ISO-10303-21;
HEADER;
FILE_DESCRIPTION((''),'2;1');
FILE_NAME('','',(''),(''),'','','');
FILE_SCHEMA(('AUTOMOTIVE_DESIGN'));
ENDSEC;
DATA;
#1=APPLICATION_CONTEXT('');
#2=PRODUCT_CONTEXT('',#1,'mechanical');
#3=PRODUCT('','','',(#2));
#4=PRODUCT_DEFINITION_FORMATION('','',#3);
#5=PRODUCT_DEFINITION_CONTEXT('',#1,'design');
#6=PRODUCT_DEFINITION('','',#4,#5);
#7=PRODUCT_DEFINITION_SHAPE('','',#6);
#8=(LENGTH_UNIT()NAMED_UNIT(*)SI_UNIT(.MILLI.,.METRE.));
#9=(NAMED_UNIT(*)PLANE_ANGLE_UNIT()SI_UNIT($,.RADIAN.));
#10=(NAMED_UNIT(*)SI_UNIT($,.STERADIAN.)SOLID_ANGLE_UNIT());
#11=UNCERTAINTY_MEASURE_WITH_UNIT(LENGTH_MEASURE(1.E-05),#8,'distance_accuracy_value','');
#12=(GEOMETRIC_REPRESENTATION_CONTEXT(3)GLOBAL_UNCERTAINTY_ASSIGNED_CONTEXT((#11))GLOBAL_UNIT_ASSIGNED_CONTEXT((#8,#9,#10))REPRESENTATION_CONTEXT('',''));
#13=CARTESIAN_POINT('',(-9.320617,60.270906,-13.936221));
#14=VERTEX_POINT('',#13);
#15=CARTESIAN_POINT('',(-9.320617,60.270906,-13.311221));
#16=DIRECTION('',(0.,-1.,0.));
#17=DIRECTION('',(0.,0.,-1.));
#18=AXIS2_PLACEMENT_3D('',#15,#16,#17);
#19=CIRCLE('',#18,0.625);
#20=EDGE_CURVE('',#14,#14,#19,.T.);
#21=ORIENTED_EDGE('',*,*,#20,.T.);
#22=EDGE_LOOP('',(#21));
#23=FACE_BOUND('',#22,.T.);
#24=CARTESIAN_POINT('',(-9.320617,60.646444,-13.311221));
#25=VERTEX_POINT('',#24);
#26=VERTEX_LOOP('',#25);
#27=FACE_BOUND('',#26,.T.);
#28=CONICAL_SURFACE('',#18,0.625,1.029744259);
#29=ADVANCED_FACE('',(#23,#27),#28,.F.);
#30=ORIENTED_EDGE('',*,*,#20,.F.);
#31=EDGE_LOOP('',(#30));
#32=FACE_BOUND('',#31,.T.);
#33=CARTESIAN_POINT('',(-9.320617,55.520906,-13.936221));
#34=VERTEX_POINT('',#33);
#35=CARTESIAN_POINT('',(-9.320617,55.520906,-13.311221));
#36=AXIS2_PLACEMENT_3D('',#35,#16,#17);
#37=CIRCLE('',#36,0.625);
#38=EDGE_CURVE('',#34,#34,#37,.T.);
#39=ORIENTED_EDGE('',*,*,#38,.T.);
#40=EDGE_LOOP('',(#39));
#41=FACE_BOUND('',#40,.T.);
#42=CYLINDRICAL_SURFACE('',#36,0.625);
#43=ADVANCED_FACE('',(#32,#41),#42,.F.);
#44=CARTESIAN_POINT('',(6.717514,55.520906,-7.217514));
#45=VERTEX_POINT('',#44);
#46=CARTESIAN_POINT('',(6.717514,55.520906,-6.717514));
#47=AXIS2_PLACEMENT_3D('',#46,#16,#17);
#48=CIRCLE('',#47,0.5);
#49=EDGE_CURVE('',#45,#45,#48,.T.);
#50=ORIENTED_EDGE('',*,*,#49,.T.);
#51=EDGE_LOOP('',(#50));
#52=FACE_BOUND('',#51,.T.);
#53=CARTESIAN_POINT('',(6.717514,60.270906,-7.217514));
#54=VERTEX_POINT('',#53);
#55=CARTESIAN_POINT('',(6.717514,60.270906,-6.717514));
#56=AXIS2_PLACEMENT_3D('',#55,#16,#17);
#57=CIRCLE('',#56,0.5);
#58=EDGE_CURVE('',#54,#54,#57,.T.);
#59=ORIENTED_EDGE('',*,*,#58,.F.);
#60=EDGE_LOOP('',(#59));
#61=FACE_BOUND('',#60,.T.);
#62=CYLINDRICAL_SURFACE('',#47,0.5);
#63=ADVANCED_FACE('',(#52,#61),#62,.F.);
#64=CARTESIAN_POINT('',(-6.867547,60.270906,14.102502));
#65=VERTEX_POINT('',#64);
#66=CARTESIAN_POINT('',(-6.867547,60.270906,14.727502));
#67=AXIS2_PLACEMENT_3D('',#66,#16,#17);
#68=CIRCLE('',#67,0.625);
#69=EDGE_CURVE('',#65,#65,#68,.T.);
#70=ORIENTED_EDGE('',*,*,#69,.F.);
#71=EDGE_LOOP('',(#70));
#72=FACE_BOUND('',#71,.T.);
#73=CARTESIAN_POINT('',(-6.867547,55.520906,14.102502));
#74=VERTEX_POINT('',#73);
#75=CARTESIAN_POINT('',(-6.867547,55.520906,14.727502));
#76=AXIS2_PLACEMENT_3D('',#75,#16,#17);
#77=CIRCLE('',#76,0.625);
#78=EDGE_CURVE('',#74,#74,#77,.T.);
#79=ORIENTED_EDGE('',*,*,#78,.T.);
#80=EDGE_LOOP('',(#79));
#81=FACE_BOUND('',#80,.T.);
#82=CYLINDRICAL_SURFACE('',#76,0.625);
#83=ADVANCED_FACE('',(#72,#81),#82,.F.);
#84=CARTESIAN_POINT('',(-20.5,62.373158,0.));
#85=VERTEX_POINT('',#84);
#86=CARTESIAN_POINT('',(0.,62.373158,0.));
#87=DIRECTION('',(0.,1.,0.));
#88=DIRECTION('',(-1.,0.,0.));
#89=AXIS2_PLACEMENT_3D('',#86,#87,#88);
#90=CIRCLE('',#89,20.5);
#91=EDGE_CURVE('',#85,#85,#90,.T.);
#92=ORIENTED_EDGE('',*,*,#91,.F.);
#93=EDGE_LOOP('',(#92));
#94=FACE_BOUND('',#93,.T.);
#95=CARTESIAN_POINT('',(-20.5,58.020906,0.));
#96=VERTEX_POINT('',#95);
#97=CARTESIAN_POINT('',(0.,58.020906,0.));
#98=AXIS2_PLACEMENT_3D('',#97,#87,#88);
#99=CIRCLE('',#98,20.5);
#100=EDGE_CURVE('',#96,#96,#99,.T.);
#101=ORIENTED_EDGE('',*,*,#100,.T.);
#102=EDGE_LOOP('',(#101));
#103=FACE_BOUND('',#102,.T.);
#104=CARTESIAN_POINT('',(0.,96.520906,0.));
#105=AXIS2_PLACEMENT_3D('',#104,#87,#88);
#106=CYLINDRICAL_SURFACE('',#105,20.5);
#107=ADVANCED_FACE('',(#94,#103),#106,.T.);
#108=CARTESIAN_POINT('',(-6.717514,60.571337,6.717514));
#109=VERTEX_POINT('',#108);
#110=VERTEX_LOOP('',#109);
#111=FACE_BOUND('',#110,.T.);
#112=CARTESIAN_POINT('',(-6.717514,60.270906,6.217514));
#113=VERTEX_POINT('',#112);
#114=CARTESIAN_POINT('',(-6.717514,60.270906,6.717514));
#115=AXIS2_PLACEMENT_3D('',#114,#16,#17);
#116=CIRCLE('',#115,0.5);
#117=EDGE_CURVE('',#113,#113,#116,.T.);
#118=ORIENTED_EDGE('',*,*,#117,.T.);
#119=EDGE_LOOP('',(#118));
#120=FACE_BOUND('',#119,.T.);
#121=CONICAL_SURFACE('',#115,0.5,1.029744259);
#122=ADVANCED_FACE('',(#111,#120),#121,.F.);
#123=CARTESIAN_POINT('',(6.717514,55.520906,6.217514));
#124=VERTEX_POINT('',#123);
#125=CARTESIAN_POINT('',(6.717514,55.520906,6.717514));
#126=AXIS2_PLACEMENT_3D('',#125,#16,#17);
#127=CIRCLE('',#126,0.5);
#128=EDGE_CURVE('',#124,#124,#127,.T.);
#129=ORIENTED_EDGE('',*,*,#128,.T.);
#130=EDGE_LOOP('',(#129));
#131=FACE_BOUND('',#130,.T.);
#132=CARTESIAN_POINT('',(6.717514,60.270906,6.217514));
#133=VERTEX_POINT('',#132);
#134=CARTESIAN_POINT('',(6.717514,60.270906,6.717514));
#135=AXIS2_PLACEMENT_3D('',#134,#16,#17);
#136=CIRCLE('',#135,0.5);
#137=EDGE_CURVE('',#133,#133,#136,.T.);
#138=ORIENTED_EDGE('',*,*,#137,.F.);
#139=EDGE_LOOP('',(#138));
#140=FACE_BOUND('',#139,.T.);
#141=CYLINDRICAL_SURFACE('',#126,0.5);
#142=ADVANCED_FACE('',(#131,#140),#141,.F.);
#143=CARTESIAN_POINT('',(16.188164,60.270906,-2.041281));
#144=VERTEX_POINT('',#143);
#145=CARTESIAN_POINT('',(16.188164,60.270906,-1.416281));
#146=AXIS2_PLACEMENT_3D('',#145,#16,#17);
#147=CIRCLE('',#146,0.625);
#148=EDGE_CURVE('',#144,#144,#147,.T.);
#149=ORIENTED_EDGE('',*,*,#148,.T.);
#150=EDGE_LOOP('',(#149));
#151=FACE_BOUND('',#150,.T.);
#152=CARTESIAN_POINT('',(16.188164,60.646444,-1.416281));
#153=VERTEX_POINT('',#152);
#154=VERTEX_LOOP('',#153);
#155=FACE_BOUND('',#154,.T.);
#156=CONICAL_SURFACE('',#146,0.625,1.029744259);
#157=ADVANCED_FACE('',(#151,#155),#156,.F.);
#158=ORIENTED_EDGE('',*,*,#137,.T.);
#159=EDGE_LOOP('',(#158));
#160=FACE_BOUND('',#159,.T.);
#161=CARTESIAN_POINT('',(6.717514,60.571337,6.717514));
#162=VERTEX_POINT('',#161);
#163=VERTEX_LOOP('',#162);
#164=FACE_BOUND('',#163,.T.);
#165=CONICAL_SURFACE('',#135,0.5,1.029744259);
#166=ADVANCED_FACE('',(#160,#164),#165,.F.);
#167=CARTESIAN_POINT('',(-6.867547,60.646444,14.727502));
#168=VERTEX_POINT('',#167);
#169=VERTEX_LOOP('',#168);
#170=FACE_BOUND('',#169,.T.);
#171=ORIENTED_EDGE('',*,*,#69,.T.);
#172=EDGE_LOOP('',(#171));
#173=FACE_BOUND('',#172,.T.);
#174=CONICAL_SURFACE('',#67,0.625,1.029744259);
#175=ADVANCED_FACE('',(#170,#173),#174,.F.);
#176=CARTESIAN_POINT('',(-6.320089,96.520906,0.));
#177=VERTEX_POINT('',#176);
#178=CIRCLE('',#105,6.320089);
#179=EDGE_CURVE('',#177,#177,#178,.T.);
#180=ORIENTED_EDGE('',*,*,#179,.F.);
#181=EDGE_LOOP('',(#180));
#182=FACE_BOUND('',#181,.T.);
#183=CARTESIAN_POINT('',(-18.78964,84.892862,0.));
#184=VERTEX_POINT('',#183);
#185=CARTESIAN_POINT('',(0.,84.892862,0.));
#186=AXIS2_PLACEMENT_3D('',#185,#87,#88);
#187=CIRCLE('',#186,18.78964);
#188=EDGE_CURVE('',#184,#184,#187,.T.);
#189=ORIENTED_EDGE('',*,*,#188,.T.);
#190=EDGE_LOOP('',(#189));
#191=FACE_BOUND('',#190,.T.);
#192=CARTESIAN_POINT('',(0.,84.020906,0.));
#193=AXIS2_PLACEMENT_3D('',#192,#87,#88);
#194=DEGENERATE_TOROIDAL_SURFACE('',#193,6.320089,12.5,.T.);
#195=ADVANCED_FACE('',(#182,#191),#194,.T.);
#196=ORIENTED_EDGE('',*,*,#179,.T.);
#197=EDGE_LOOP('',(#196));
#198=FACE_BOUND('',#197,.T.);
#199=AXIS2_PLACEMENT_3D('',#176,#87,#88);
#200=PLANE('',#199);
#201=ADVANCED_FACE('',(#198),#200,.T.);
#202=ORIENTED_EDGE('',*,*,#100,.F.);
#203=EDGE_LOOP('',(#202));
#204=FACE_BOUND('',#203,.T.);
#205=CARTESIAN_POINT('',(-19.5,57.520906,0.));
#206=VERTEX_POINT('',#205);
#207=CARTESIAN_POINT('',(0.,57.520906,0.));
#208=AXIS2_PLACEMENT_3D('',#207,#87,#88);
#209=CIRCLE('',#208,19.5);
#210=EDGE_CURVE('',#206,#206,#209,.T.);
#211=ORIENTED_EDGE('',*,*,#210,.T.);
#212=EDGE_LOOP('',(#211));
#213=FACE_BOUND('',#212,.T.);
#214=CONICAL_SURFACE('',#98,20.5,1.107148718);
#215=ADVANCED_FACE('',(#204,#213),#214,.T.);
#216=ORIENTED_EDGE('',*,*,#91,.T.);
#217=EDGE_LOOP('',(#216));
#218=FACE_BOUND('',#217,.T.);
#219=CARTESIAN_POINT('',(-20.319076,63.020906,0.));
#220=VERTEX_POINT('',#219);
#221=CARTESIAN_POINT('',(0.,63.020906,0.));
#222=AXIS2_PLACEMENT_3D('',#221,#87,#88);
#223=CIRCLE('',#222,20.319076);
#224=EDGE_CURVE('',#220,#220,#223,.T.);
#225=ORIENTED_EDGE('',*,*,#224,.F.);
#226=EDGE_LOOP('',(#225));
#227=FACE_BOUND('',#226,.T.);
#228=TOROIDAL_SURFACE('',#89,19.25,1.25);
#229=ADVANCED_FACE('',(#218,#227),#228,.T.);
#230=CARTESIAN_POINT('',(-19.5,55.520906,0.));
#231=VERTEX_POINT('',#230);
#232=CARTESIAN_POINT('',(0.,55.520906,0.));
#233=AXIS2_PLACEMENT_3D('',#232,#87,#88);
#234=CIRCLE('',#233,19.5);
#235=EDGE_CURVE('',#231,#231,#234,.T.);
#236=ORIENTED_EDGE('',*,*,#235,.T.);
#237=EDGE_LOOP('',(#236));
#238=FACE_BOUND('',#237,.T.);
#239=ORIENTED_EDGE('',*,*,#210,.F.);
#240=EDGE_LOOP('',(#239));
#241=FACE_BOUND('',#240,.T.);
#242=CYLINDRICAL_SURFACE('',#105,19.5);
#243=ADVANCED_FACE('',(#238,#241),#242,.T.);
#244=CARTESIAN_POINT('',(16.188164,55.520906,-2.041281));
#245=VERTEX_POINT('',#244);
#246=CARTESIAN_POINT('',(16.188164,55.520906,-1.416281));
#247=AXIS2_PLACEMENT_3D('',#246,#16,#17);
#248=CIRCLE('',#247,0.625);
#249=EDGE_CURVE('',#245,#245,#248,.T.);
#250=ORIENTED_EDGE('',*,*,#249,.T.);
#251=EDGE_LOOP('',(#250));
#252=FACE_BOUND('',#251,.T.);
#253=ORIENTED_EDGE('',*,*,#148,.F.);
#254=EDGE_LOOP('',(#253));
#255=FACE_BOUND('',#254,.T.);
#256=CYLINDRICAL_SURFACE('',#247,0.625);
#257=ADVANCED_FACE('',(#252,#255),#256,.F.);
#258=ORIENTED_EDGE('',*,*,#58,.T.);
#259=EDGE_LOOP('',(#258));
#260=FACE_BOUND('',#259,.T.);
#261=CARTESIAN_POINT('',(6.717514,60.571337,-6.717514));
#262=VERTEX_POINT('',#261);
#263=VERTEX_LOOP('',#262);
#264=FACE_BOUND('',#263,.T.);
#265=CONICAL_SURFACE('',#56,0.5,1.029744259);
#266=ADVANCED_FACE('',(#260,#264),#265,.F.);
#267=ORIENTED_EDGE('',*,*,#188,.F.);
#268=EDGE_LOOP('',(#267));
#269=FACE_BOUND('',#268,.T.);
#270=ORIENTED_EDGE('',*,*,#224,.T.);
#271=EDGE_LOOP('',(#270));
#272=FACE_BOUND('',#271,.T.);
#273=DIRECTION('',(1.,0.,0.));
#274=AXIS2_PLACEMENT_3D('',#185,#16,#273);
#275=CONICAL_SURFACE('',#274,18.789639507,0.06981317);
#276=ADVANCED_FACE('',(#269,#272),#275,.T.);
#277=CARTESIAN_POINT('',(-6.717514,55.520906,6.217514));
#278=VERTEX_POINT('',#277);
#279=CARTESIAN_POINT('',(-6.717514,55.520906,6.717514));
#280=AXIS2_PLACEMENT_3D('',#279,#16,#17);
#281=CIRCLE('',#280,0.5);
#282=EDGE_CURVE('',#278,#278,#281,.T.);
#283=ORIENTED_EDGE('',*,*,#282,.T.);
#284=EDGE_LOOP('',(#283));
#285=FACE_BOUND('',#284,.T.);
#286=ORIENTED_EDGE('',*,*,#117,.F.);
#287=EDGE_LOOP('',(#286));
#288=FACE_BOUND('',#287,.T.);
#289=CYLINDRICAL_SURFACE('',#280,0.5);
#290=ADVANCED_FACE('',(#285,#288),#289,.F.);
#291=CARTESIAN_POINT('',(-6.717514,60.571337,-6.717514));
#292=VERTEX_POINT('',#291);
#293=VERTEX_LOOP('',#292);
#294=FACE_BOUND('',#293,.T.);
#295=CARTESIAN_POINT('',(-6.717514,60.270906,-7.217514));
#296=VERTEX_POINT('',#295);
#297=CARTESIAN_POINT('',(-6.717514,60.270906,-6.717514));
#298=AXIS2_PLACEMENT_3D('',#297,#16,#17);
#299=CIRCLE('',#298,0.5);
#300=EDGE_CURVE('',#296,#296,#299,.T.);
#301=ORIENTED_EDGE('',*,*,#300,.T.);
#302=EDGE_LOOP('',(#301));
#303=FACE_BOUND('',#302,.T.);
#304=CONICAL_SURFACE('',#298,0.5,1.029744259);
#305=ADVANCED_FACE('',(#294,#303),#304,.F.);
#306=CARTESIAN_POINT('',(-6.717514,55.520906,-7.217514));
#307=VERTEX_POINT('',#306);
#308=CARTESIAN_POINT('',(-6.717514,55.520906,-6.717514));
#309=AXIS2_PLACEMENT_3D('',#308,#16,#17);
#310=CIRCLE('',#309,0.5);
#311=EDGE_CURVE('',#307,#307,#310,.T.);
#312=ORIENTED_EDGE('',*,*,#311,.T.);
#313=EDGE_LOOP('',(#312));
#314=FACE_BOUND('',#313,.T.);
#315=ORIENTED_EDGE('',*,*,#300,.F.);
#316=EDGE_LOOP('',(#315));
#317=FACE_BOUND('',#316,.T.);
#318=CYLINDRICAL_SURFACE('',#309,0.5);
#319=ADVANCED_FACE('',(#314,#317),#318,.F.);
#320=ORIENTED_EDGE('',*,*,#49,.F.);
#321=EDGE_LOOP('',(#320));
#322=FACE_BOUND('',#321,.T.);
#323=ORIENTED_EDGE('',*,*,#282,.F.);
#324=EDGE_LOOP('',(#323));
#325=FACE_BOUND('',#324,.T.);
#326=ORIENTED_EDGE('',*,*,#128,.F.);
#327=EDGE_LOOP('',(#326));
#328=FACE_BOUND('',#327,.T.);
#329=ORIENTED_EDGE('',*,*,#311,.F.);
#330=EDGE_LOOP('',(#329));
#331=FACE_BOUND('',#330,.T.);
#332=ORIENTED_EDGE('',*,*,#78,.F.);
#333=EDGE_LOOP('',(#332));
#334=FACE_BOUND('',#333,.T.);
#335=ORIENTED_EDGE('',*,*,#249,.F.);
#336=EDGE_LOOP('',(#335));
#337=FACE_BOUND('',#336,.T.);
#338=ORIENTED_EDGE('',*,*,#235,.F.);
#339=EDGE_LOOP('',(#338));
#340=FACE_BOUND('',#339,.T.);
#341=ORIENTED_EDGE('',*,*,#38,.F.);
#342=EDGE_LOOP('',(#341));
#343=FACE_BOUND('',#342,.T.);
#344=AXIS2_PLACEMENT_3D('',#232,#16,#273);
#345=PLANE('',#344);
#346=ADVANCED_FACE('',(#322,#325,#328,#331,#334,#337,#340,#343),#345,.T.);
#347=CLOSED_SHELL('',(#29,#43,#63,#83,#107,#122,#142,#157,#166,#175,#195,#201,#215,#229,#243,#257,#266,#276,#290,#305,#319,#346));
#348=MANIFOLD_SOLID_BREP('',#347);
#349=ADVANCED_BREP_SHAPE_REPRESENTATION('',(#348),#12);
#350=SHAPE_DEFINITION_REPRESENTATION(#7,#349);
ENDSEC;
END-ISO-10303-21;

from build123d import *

# Parameters (mm, degrees)
CIRPATTERN1_COUNT = 4
CIRPATTERN2_COUNT = 3
SCALE2_SCALE      = 0.5
SCALE3_SCALE      = 0.5


with BuildPart() as part:
    # Sketch1 → Revolve1 (revolve)
    with BuildSketch(Plane.XY):
        with BuildLine():
            Line((0, 0), (-78, 0))
            Line((-78, 0), (-78, 8))
            Line((-78, 8), (-82, 10))
            Line((-82, 10), (-82, 27.409008705))
            ThreePointArc((-82, 27.409008705), (-81.815678203, 28.754089909), (-81.276302621, 30))
            Line((-81.276302621, 30), (-75.158558027, 117.487823687))
            ThreePointArc((-75.158558027, 117.487823687), (-59.380273517, 150.567685081), (-25.280355514, 164))
            Line((-25.280355514, 164), (0, 164))
            Line((0, 164), (0, 0))
        make_face()
    revolve(axis=Axis((0, 164, 0), (0, -1, 0)))

    # Sketch5 → Ø4.0 (4) Diameter Hole1 (revolve, cut)
    with BuildSketch(Plane(origin=(-26.870057685, 0, 26.870057685), x_dir=(0, 0, -1), z_dir=(1, 0, 0))):
        Polygon((0, 0), (0, 20.201721238), (2, 19), (2, 0), align=None)
    f_4_0_4_diameter_hole1 = revolve(axis=Axis((-26.870057685, -6.35, 26.870057685), (0, 1, 0)), mode=Mode.SUBTRACT)

    # CirPattern1: Ø4.0 (4) Diameter Hole1 ×4 about axis
    cirpattern1_axis = Axis((0, 0, 0), (0, 1, 0))
    for i in range(1, CIRPATTERN1_COUNT):
        add(f_4_0_4_diameter_hole1.rotate(cirpattern1_axis, i * 360 / CIRPATTERN1_COUNT), mode=Mode.SUBTRACT)

    # Sketch7 → Ø5.0 (5) Diameter Hole1 (revolve, cut)
    with BuildSketch(Plane(origin=(64.752655376, 0, -5.665123279), x_dir=(0, 0, -1), z_dir=(1, 0, 0))):
        Polygon((0, 0), (0, 20.502151548), (2.5, 19), (2.5, 0), align=None)
    f_5_0_5_diameter_hole1 = revolve(axis=Axis((64.752655376, -6.35, -5.665123279), (0, 1, 0)), mode=Mode.SUBTRACT)

    # CirPattern2: Ø5.0 (5) Diameter Hole1 ×3 about axis
    cirpattern2_axis = Axis((0, 0, 0), (0, 1, 0))
    for i in range(1, CIRPATTERN2_COUNT):
        add(f_5_0_5_diameter_hole1.rotate(cirpattern2_axis, i * 360 / CIRPATTERN2_COUNT), mode=Mode.SUBTRACT)


with BuildPart() as part_1:
    # Scale2: scaled about (0, 74.027875032, 0)
    add(part.part.scale(SCALE2_SCALE).moved(Location((0, 37.013937516, 0))))


with BuildPart() as part_2:
    # Scale3: scaled about (0, 74.027875032, 0)
    add(part_1.part.scale(SCALE3_SCALE).moved(Location((0, 37.013937516, 0))))


solid = part_2.part
